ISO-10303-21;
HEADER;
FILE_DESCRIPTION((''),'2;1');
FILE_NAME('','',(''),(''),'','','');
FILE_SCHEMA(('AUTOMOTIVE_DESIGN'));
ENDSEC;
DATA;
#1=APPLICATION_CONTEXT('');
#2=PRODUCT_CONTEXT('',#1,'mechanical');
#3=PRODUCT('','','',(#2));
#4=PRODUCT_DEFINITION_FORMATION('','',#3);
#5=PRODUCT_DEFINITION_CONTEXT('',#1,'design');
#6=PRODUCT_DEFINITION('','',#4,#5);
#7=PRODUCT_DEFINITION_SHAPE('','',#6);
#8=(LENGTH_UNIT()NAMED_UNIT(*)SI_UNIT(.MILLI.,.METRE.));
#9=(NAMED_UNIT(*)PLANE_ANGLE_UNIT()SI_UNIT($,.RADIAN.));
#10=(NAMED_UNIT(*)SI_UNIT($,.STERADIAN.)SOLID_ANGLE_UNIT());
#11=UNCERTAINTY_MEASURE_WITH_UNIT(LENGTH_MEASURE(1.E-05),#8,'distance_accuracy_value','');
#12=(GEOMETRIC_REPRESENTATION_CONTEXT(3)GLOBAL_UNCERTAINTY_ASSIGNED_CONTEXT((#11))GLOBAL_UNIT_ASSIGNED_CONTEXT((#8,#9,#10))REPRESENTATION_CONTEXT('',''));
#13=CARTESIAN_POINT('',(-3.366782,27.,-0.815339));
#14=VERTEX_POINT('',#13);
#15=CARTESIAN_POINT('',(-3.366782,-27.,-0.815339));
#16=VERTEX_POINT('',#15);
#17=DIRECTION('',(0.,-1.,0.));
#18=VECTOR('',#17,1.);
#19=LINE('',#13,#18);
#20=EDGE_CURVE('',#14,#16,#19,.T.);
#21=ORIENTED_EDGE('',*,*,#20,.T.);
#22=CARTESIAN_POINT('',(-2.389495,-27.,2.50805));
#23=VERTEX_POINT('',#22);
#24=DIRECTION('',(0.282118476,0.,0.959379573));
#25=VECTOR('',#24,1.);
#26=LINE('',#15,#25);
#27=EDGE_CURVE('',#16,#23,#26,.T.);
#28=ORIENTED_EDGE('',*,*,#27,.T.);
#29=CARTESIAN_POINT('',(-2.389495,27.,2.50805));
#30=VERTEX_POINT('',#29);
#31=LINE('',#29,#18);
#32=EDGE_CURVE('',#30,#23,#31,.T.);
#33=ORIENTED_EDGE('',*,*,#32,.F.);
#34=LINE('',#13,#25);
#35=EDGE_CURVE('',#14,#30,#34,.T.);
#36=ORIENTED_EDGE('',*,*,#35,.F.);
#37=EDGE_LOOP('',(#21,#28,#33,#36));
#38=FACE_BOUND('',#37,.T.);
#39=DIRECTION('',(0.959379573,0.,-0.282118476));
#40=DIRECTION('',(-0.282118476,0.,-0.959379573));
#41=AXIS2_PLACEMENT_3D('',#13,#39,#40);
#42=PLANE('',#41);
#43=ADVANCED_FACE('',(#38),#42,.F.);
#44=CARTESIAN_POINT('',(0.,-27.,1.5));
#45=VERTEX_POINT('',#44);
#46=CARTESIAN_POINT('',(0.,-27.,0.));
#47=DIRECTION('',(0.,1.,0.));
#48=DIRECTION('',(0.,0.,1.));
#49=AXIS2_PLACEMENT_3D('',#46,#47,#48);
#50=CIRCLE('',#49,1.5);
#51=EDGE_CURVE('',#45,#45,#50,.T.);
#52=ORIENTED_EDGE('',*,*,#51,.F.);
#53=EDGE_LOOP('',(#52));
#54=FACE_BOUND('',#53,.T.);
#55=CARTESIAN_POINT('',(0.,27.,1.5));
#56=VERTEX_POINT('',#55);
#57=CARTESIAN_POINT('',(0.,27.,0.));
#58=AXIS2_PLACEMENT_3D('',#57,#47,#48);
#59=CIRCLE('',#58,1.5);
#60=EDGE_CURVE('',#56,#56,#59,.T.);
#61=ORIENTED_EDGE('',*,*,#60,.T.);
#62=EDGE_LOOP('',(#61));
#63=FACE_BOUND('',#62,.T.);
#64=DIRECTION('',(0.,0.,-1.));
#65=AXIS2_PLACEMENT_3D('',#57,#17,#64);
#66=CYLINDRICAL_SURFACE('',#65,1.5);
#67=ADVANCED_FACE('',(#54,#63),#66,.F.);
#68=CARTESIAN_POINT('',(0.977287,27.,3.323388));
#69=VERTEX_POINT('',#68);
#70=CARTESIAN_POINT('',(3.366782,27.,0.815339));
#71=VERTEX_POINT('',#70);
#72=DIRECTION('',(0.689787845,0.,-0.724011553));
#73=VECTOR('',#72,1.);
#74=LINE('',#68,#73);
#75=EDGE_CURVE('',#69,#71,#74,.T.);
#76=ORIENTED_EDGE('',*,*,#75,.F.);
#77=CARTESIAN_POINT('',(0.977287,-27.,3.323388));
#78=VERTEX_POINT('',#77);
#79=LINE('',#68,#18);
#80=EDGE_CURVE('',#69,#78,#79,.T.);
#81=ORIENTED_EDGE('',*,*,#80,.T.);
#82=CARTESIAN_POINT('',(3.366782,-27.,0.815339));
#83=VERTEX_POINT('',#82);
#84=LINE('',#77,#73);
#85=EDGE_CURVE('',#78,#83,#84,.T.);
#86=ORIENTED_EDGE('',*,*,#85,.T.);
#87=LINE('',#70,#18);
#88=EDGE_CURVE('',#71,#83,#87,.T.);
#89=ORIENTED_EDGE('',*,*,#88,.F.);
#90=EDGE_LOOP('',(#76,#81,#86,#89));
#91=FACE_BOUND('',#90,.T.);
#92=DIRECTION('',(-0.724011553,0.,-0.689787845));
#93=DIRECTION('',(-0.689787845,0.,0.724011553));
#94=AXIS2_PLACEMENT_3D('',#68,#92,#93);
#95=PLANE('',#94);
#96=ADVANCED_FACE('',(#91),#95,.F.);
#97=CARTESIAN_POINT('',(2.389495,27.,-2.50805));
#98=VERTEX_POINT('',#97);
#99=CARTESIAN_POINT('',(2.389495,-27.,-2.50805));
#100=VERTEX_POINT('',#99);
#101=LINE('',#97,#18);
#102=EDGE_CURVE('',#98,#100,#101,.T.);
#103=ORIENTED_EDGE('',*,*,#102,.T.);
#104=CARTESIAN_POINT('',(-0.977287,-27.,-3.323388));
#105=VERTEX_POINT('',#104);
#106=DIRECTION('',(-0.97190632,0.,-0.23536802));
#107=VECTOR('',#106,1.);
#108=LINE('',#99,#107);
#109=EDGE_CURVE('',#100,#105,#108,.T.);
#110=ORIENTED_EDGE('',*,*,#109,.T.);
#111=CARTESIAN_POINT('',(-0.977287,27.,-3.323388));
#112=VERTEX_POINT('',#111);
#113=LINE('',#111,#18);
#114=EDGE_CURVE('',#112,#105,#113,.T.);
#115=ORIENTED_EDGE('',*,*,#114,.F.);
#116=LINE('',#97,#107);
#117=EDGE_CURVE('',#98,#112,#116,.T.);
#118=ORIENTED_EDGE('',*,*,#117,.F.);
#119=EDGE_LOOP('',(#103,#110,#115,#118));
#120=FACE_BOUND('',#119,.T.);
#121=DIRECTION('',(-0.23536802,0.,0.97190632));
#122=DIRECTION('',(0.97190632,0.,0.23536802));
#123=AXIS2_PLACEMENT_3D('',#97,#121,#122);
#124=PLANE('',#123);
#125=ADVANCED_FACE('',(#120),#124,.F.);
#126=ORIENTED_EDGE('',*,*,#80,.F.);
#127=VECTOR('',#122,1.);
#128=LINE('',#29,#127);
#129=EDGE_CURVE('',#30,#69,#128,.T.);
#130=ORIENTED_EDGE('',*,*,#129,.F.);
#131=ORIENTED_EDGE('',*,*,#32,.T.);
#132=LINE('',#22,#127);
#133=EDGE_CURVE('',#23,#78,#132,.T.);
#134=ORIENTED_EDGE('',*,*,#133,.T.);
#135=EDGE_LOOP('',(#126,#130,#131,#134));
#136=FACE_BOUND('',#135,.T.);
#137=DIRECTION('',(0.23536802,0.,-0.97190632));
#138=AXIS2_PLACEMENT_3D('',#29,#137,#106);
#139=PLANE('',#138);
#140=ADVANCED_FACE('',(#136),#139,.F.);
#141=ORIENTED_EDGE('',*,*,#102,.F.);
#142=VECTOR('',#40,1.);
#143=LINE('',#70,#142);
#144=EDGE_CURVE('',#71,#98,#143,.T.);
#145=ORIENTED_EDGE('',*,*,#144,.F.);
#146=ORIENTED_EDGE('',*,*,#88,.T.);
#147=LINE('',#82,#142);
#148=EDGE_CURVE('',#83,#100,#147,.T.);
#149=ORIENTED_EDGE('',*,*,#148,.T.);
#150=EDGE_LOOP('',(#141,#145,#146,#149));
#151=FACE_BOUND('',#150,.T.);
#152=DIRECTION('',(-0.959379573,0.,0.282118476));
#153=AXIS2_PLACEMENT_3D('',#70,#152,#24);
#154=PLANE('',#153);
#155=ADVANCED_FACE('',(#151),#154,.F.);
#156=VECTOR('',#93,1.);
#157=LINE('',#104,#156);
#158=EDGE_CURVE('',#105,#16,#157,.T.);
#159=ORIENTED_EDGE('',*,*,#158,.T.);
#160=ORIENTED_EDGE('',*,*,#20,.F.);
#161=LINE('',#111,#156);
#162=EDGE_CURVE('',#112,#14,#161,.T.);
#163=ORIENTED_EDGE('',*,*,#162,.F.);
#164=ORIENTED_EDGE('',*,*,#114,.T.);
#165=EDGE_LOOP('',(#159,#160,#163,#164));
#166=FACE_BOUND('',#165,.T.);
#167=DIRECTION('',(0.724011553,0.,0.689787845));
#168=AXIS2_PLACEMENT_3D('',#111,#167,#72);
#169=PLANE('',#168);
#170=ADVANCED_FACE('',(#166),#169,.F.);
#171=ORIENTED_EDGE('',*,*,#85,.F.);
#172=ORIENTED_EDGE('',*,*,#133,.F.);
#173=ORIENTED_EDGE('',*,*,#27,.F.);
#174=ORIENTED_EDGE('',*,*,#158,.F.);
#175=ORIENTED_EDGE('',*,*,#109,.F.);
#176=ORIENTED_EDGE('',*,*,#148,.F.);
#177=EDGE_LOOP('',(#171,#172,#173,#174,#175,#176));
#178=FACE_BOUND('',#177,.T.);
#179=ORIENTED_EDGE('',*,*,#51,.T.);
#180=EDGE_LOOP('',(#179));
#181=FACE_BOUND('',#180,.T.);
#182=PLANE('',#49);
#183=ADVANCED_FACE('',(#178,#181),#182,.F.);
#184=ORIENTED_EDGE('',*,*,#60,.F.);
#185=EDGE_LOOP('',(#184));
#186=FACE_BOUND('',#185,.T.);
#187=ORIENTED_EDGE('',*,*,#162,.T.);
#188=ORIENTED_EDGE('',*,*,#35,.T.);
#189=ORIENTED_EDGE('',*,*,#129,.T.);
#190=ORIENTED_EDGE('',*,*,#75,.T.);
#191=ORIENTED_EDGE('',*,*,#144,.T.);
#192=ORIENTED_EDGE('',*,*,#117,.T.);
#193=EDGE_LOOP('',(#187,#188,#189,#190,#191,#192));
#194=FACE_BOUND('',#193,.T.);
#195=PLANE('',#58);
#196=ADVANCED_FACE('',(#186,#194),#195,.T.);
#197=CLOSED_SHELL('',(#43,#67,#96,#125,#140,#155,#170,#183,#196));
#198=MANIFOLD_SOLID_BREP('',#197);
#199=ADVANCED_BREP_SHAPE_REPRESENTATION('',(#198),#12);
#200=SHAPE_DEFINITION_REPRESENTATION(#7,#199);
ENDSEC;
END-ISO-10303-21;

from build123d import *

# Parameters (mm, degrees)
SKETCH1_R           = 1.5
BOSS_EXTRUDE1_DEPTH = 27


with BuildPart() as part:
    # Sketch1 → Boss-Extrude1 (new, symmetric)
    with BuildSketch(Plane(origin=(0, 0, 0), x_dir=(1, 0, 0), z_dir=(0, 1, 0))):
        Polygon((0.977287067, -3.32338833), (3.366782253, -0.815338738), (2.389495187, 2.508049591), (-0.977287067, 3.32338833), (-3.366782253, 0.815338738), (-2.389495187, -2.508049591), align=None)
        with Locations(Location((0, 0, 0), (0, 0, 270))):
            Circle(SKETCH1_R, mode=Mode.SUBTRACT)
    extrude(amount=BOSS_EXTRUDE1_DEPTH, both=True)


solid = part.part
